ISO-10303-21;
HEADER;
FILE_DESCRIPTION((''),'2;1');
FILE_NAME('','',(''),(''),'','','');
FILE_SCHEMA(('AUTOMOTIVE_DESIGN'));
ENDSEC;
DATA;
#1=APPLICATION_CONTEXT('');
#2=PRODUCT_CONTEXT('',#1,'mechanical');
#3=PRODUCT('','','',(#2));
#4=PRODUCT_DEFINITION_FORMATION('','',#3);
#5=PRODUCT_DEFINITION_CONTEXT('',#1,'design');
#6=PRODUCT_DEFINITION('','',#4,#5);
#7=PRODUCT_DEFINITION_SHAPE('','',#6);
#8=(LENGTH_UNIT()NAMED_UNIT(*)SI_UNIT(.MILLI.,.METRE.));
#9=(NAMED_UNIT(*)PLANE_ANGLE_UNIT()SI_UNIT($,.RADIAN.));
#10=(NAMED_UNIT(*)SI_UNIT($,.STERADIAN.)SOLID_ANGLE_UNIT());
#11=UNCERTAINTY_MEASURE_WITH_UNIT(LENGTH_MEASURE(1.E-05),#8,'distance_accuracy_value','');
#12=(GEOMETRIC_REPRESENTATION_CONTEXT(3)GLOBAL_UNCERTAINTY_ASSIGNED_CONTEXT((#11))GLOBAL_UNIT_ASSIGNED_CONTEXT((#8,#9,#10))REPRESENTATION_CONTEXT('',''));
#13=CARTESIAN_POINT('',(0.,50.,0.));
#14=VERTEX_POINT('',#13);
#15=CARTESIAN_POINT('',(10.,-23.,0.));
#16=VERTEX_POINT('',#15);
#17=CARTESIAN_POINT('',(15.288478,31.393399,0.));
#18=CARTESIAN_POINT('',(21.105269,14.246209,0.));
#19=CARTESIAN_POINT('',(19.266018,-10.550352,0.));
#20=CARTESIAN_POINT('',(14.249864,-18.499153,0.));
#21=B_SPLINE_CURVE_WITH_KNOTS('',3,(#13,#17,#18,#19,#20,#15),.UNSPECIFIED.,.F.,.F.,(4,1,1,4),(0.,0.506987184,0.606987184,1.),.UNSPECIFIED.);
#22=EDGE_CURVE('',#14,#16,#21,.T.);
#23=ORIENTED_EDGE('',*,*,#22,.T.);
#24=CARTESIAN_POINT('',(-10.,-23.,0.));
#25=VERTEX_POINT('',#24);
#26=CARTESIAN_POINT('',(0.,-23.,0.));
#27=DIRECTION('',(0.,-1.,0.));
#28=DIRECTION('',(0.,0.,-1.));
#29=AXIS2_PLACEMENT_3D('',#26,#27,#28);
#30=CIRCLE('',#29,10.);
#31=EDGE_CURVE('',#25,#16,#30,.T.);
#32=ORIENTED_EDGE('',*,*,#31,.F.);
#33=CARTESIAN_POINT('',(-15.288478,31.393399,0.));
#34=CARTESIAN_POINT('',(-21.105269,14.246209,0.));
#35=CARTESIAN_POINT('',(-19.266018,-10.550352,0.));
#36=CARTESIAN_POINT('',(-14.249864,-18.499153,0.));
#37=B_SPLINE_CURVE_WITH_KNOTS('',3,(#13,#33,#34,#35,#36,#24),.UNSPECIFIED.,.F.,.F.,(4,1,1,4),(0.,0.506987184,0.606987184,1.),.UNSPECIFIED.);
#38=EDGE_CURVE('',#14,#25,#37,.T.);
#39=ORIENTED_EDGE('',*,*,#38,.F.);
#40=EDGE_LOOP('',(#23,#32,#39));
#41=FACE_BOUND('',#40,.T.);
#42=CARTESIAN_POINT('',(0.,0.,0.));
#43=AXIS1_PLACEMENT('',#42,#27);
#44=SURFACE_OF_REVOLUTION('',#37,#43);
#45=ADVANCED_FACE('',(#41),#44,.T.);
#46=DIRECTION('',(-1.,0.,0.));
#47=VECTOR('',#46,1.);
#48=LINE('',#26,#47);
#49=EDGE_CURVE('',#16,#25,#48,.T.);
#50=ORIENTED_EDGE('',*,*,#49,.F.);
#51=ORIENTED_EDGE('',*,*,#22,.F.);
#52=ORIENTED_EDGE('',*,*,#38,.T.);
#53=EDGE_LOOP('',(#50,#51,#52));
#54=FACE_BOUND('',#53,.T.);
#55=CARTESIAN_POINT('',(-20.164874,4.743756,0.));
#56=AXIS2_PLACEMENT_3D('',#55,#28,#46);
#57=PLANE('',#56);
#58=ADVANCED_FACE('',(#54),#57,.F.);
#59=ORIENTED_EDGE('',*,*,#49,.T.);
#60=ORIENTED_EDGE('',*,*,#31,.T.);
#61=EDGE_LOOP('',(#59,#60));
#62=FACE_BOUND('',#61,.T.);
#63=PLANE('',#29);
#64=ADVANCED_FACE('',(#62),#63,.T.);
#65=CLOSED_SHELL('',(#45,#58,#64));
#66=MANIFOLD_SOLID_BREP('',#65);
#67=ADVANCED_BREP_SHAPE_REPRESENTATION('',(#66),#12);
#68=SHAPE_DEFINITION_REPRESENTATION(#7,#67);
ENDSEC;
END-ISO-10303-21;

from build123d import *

# Parameters (mm, degrees)
REVOLVE_1_ANGLE = 180


with BuildPart() as part:
    # 草图2 → 旋转1 (revolve)
    with BuildSketch(Plane.XY):
        with BuildLine():
            Line((0, 0), (0, 50))
            add(Edge.make_bspline(
                [(0, 50), (15.28847781, 31.393398859), (21.10526888, 14.246209252), (19.266018227, -10.550351882), (14.249863608, -18.499152761), (10, -23)],
                knots=[0, 0, 0, 0, 0.506987184, 0.606987184, 1, 1, 1, 1], degree=3))
            Line((10, -23), (0, -23))
            Line((0, -23), (0, 0))
        make_face()
    revolve(axis=Axis((0, 0, 0), (0, 1, 0)), revolution_arc=REVOLVE_1_ANGLE)


solid = part.part
